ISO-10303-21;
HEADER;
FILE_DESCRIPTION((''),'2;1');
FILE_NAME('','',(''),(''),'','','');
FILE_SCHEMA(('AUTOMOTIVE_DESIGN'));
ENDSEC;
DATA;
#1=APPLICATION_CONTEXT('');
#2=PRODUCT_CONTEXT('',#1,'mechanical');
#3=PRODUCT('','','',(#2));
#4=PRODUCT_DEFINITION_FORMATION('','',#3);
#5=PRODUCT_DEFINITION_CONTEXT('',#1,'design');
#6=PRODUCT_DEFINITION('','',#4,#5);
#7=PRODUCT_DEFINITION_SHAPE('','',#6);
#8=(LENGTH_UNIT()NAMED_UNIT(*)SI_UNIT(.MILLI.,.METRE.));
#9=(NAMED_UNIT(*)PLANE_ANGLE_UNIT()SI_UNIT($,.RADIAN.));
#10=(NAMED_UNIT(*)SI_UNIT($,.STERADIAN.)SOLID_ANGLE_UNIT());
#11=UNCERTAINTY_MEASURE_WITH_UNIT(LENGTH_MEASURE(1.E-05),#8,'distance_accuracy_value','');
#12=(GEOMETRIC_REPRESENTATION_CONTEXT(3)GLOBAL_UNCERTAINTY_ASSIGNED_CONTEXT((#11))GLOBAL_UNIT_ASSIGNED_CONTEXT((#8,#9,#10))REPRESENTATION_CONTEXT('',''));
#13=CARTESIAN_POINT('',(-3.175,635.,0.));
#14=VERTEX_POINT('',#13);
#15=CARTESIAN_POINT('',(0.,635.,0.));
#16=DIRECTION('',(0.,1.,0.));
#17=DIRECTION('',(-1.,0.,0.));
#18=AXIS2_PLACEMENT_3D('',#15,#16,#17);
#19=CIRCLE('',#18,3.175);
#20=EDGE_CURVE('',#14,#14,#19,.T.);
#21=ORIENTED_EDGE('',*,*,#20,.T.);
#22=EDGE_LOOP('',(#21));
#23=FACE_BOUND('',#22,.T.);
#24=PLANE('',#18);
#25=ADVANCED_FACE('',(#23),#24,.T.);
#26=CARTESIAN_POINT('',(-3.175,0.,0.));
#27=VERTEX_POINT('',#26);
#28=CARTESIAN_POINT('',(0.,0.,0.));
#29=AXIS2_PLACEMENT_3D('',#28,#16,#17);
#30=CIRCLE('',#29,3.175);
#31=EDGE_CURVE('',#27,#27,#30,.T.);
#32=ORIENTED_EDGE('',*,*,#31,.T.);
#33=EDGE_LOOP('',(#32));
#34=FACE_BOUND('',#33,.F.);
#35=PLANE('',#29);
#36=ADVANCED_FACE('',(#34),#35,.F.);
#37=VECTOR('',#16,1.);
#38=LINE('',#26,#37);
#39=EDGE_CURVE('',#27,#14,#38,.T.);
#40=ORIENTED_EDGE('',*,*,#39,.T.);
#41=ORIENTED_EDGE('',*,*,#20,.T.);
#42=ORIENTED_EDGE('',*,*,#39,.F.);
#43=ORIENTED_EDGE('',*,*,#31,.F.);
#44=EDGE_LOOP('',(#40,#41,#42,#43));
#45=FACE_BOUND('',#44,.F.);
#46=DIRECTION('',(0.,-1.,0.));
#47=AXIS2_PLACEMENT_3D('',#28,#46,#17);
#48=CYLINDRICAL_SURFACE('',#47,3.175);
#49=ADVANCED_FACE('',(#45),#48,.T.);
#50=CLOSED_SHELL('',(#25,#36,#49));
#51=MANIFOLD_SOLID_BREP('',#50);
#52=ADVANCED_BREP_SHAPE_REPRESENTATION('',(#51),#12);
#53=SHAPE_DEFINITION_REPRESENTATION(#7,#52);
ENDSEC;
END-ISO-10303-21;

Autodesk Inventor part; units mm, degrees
ref_plane "YZ Plane" through (0, 0, 0) normal (1, 0, 0) x (0, 1, 0)
ref_plane "XZ Plane" through (0, 0, 0) normal (0, 1, 0) x (-1, 0, 0)
ref_plane "XY Plane" through (0, 0, 0) normal (0, 0, 1) x (1, 0, 0)
sketch "Sketch1" plane through (0, 0, 0) normal (0, 1, 0) x (-1, 0, 0)
  circle A0 centre (0, 0) radius 3.175
  dimension "d1" = 6.35
extrude "Extrusion1" add sketch "Sketch1" along normal blind 635
thread "Thread1" size "1/4-20 UNC" class "2A" standard "ANSI Unified Screw Threads" full length
properties part number "24in Threaded Rod"
